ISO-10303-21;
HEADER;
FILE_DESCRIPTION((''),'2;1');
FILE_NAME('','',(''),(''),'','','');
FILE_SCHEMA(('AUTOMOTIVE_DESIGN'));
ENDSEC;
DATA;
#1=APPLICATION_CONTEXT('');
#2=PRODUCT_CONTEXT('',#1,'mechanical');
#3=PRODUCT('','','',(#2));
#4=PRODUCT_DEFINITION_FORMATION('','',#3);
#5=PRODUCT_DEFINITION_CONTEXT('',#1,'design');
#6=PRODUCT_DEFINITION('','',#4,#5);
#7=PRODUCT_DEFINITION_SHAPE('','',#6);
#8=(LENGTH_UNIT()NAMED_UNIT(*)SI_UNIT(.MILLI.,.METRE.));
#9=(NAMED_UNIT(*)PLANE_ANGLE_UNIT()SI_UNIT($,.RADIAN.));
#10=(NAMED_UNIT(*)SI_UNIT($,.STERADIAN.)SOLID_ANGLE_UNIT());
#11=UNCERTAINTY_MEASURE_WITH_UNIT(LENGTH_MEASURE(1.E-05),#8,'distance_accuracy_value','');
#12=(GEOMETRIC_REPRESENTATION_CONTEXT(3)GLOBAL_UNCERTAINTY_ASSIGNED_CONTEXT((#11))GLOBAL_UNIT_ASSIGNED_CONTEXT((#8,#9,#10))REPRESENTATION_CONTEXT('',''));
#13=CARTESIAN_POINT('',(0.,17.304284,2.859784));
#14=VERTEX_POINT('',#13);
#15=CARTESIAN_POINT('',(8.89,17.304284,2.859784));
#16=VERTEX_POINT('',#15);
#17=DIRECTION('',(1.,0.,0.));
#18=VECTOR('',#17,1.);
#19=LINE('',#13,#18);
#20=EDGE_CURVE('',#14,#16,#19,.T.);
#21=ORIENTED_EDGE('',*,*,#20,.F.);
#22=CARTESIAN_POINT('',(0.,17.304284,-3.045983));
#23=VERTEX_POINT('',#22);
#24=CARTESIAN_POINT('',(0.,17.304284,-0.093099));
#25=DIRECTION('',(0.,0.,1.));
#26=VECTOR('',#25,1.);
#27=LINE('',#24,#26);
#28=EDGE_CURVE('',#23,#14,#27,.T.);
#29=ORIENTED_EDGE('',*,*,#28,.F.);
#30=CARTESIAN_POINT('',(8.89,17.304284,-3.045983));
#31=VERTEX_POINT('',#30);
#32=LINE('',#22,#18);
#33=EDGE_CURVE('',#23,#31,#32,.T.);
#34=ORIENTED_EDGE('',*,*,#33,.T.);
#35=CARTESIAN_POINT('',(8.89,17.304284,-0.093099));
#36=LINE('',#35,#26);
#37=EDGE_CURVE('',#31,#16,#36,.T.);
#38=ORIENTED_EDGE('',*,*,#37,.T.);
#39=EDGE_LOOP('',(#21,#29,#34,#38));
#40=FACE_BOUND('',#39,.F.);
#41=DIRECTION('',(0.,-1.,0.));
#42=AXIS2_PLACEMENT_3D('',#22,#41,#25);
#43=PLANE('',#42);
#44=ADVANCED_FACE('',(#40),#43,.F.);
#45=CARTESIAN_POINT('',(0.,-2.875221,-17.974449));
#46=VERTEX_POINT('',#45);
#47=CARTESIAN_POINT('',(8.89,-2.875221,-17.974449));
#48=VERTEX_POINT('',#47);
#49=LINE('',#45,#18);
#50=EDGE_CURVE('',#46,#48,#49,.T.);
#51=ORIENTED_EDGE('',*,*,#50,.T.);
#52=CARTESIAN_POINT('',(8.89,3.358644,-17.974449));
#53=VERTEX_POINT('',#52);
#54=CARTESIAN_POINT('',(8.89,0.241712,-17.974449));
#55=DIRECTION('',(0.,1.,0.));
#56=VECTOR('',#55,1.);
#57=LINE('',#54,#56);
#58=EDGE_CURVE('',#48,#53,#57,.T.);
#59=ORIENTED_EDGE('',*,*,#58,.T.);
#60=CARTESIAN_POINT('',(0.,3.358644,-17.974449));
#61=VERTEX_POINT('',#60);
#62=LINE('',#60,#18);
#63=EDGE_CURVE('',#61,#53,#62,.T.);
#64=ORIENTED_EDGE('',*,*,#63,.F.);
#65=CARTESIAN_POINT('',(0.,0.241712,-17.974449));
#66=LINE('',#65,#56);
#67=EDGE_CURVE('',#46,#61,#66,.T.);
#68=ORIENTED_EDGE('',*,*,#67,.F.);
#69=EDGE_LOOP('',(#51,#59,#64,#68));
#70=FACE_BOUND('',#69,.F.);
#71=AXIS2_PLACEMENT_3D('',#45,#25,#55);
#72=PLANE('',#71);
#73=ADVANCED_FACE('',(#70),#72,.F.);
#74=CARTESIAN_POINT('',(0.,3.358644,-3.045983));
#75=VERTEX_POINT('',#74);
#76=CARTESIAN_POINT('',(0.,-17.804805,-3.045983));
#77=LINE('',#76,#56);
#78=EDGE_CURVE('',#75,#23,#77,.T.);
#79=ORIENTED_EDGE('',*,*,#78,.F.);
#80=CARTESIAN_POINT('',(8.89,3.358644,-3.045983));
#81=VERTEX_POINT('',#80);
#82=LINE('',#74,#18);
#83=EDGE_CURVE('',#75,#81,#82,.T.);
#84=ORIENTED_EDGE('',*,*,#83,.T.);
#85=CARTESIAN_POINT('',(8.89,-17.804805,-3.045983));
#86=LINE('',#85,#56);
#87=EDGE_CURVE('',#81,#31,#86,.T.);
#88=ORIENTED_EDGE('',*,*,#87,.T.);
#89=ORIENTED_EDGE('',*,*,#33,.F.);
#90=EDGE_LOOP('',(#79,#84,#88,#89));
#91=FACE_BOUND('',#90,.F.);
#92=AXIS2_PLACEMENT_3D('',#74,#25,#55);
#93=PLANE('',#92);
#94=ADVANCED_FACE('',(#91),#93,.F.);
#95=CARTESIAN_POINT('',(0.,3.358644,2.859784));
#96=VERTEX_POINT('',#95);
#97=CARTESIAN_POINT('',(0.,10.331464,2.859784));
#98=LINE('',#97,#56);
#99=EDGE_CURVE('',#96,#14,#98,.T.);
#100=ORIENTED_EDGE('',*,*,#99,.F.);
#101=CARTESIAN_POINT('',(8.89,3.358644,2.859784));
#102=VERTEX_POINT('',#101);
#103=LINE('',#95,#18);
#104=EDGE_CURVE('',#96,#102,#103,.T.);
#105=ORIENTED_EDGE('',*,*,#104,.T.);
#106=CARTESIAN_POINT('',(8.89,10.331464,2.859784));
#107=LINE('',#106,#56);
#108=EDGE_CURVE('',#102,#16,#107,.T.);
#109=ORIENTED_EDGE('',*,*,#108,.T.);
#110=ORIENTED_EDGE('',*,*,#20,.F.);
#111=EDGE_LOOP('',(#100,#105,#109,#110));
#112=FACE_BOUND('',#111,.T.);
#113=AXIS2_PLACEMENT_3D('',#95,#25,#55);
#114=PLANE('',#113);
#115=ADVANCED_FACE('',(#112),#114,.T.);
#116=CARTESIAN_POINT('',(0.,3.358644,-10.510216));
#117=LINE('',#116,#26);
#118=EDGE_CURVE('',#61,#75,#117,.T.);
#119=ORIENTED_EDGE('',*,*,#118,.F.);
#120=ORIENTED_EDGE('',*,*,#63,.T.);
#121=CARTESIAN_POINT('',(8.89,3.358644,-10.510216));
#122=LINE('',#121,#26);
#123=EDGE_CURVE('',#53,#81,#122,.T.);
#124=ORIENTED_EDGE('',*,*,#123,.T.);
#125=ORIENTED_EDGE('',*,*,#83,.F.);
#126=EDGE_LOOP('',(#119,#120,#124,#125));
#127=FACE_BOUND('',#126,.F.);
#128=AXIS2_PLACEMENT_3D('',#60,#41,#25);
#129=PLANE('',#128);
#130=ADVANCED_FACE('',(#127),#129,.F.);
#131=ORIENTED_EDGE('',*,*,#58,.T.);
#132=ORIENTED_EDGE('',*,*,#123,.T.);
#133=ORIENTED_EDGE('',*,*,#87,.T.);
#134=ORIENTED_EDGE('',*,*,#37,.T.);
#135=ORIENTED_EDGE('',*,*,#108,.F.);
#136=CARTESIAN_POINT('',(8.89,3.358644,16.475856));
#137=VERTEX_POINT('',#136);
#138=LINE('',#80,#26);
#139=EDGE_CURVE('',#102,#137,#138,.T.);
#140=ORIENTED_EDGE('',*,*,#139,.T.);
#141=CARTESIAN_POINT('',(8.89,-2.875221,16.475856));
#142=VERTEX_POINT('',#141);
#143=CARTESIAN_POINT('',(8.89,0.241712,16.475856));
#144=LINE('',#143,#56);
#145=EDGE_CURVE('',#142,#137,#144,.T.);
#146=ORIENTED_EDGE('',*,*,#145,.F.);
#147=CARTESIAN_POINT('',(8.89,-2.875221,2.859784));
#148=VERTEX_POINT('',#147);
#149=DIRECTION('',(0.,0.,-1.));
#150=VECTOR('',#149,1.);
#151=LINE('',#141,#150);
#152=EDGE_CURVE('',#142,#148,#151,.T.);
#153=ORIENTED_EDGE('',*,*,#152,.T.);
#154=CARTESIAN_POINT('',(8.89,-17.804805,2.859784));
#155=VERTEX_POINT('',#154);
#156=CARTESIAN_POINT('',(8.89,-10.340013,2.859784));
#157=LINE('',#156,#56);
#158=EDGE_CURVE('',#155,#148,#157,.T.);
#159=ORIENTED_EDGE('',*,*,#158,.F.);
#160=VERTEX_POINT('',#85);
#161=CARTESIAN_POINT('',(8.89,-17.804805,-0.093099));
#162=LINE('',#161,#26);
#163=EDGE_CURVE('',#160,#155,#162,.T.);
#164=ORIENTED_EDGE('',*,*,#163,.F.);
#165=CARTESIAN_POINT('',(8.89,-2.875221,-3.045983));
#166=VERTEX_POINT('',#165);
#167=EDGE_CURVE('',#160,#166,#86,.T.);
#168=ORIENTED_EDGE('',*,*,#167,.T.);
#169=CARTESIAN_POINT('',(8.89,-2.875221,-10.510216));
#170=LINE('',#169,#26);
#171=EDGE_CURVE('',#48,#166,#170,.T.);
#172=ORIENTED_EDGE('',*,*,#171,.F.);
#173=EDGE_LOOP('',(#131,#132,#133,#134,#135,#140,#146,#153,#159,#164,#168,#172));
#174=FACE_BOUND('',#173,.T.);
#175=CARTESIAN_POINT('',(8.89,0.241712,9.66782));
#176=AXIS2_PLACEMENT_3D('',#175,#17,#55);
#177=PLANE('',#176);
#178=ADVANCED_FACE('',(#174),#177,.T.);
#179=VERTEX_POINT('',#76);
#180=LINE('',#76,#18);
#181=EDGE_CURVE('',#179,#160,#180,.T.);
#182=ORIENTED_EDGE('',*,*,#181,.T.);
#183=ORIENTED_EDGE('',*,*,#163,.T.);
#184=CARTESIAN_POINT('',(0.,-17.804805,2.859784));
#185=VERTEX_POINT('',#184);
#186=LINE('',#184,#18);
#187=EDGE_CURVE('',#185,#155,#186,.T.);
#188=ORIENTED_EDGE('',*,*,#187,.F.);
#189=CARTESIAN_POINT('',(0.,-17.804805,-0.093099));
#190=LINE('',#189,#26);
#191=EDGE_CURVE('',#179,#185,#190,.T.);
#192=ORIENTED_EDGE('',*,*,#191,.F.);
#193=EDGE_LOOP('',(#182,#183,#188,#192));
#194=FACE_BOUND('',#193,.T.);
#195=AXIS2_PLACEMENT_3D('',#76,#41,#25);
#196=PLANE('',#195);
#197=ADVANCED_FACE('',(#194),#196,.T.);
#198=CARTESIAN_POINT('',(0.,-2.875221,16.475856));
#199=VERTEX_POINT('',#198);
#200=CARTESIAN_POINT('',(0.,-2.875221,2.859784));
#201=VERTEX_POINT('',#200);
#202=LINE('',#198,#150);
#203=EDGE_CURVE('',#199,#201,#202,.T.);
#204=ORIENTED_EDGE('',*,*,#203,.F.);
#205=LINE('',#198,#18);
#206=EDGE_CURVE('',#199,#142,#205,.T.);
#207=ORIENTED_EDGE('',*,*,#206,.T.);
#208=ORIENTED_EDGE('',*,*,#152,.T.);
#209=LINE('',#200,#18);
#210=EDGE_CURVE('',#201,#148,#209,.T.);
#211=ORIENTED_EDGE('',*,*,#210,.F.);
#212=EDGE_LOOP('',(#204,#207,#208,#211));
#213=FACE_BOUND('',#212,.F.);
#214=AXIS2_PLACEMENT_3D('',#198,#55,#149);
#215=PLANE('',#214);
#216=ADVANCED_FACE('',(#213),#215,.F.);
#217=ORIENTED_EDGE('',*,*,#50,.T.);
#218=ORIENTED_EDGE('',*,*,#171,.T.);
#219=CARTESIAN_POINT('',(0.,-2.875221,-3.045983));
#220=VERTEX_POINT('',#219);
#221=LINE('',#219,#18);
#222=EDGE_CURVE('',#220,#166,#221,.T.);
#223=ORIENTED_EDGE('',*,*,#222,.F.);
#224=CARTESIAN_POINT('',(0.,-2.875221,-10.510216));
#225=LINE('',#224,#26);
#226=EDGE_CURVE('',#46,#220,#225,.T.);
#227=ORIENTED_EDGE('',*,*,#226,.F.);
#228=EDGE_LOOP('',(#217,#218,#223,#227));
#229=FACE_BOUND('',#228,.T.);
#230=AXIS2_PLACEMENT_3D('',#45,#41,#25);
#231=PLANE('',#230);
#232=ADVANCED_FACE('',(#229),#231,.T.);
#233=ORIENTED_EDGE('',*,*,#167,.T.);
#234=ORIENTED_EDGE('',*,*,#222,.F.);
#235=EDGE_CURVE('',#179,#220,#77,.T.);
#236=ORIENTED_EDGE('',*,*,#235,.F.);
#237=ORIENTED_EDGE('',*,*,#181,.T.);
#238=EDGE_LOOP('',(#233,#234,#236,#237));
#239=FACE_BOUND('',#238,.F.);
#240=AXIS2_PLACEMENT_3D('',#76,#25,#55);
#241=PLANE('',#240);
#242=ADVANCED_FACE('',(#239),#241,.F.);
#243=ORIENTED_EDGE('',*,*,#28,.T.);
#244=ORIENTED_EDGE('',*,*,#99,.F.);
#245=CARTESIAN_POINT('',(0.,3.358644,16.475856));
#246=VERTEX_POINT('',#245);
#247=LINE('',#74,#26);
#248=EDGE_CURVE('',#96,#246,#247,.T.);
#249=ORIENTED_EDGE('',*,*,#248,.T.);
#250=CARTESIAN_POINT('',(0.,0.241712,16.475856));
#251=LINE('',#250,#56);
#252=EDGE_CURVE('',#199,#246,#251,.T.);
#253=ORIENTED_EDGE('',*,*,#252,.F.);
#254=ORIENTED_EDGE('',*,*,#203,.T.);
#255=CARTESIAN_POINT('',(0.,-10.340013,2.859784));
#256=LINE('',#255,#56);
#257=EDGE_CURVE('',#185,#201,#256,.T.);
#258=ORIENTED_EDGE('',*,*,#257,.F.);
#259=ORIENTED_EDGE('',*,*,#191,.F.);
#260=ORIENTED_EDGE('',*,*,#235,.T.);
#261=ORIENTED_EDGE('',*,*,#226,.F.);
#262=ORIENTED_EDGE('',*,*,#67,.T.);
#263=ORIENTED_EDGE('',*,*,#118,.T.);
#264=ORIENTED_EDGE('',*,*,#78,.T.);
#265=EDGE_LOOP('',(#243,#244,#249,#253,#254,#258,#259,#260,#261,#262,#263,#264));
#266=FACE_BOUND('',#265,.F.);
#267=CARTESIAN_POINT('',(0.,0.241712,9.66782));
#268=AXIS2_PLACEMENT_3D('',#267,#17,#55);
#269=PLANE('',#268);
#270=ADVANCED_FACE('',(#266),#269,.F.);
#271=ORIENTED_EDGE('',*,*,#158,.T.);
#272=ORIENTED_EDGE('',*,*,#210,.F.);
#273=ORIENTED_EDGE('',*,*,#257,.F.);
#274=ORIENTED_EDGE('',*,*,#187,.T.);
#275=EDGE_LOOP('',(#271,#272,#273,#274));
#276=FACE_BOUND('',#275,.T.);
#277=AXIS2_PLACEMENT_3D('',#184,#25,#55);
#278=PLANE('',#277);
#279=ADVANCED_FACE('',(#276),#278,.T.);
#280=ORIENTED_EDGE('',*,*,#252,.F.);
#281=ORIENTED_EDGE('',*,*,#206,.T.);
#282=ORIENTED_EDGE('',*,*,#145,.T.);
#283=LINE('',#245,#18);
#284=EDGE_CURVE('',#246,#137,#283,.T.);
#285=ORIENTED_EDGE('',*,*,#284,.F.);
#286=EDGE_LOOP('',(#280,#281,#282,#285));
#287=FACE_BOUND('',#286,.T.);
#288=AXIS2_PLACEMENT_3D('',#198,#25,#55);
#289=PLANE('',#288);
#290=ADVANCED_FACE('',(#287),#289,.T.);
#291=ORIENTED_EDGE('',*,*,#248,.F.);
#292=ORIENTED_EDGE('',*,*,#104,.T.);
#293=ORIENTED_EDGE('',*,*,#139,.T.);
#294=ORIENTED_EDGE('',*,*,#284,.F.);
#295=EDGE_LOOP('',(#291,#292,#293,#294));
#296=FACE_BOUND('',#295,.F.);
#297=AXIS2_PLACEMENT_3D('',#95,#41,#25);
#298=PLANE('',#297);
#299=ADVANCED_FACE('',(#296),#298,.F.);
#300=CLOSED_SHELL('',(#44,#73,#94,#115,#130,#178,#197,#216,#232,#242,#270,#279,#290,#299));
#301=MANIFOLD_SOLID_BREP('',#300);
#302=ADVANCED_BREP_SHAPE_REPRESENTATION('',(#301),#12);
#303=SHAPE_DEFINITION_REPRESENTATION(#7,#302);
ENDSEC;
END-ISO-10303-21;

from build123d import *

# Parameters (mm, degrees)
F0_W     = 6.2338649295
F0_H     = 13.6160724796
F0_H_2   = 5.9057665057
F0_W_2   = 14.9295842275
F0_W_3   = 13.9456405304
F0_H_3   = 14.9284666404
F1_DEPTH = 8.89


with BuildPart() as f1:
    # F0 (on Right) → F1 (new body)
    with BuildSketch(Plane.YZ):
        with Locations((0.2417115029, 9.6678200644)):
            Rectangle(F0_W, F0_H)
        with Locations((0.2417115029, -0.0930994283)):
            Rectangle(F0_W, F0_H_2)
        with Locations((-10.3400130756, -0.0930994283)):
            Rectangle(F0_W_2, F0_H_2)
        with Locations((10.3314642329, -0.0930994283)):
            Rectangle(F0_W_3, F0_H_2)
        with Locations((0.2417115029, -10.5102160014)):
            Rectangle(F0_W, F0_H_3)
    extrude(amount=F1_DEPTH)


solid = f1.part
